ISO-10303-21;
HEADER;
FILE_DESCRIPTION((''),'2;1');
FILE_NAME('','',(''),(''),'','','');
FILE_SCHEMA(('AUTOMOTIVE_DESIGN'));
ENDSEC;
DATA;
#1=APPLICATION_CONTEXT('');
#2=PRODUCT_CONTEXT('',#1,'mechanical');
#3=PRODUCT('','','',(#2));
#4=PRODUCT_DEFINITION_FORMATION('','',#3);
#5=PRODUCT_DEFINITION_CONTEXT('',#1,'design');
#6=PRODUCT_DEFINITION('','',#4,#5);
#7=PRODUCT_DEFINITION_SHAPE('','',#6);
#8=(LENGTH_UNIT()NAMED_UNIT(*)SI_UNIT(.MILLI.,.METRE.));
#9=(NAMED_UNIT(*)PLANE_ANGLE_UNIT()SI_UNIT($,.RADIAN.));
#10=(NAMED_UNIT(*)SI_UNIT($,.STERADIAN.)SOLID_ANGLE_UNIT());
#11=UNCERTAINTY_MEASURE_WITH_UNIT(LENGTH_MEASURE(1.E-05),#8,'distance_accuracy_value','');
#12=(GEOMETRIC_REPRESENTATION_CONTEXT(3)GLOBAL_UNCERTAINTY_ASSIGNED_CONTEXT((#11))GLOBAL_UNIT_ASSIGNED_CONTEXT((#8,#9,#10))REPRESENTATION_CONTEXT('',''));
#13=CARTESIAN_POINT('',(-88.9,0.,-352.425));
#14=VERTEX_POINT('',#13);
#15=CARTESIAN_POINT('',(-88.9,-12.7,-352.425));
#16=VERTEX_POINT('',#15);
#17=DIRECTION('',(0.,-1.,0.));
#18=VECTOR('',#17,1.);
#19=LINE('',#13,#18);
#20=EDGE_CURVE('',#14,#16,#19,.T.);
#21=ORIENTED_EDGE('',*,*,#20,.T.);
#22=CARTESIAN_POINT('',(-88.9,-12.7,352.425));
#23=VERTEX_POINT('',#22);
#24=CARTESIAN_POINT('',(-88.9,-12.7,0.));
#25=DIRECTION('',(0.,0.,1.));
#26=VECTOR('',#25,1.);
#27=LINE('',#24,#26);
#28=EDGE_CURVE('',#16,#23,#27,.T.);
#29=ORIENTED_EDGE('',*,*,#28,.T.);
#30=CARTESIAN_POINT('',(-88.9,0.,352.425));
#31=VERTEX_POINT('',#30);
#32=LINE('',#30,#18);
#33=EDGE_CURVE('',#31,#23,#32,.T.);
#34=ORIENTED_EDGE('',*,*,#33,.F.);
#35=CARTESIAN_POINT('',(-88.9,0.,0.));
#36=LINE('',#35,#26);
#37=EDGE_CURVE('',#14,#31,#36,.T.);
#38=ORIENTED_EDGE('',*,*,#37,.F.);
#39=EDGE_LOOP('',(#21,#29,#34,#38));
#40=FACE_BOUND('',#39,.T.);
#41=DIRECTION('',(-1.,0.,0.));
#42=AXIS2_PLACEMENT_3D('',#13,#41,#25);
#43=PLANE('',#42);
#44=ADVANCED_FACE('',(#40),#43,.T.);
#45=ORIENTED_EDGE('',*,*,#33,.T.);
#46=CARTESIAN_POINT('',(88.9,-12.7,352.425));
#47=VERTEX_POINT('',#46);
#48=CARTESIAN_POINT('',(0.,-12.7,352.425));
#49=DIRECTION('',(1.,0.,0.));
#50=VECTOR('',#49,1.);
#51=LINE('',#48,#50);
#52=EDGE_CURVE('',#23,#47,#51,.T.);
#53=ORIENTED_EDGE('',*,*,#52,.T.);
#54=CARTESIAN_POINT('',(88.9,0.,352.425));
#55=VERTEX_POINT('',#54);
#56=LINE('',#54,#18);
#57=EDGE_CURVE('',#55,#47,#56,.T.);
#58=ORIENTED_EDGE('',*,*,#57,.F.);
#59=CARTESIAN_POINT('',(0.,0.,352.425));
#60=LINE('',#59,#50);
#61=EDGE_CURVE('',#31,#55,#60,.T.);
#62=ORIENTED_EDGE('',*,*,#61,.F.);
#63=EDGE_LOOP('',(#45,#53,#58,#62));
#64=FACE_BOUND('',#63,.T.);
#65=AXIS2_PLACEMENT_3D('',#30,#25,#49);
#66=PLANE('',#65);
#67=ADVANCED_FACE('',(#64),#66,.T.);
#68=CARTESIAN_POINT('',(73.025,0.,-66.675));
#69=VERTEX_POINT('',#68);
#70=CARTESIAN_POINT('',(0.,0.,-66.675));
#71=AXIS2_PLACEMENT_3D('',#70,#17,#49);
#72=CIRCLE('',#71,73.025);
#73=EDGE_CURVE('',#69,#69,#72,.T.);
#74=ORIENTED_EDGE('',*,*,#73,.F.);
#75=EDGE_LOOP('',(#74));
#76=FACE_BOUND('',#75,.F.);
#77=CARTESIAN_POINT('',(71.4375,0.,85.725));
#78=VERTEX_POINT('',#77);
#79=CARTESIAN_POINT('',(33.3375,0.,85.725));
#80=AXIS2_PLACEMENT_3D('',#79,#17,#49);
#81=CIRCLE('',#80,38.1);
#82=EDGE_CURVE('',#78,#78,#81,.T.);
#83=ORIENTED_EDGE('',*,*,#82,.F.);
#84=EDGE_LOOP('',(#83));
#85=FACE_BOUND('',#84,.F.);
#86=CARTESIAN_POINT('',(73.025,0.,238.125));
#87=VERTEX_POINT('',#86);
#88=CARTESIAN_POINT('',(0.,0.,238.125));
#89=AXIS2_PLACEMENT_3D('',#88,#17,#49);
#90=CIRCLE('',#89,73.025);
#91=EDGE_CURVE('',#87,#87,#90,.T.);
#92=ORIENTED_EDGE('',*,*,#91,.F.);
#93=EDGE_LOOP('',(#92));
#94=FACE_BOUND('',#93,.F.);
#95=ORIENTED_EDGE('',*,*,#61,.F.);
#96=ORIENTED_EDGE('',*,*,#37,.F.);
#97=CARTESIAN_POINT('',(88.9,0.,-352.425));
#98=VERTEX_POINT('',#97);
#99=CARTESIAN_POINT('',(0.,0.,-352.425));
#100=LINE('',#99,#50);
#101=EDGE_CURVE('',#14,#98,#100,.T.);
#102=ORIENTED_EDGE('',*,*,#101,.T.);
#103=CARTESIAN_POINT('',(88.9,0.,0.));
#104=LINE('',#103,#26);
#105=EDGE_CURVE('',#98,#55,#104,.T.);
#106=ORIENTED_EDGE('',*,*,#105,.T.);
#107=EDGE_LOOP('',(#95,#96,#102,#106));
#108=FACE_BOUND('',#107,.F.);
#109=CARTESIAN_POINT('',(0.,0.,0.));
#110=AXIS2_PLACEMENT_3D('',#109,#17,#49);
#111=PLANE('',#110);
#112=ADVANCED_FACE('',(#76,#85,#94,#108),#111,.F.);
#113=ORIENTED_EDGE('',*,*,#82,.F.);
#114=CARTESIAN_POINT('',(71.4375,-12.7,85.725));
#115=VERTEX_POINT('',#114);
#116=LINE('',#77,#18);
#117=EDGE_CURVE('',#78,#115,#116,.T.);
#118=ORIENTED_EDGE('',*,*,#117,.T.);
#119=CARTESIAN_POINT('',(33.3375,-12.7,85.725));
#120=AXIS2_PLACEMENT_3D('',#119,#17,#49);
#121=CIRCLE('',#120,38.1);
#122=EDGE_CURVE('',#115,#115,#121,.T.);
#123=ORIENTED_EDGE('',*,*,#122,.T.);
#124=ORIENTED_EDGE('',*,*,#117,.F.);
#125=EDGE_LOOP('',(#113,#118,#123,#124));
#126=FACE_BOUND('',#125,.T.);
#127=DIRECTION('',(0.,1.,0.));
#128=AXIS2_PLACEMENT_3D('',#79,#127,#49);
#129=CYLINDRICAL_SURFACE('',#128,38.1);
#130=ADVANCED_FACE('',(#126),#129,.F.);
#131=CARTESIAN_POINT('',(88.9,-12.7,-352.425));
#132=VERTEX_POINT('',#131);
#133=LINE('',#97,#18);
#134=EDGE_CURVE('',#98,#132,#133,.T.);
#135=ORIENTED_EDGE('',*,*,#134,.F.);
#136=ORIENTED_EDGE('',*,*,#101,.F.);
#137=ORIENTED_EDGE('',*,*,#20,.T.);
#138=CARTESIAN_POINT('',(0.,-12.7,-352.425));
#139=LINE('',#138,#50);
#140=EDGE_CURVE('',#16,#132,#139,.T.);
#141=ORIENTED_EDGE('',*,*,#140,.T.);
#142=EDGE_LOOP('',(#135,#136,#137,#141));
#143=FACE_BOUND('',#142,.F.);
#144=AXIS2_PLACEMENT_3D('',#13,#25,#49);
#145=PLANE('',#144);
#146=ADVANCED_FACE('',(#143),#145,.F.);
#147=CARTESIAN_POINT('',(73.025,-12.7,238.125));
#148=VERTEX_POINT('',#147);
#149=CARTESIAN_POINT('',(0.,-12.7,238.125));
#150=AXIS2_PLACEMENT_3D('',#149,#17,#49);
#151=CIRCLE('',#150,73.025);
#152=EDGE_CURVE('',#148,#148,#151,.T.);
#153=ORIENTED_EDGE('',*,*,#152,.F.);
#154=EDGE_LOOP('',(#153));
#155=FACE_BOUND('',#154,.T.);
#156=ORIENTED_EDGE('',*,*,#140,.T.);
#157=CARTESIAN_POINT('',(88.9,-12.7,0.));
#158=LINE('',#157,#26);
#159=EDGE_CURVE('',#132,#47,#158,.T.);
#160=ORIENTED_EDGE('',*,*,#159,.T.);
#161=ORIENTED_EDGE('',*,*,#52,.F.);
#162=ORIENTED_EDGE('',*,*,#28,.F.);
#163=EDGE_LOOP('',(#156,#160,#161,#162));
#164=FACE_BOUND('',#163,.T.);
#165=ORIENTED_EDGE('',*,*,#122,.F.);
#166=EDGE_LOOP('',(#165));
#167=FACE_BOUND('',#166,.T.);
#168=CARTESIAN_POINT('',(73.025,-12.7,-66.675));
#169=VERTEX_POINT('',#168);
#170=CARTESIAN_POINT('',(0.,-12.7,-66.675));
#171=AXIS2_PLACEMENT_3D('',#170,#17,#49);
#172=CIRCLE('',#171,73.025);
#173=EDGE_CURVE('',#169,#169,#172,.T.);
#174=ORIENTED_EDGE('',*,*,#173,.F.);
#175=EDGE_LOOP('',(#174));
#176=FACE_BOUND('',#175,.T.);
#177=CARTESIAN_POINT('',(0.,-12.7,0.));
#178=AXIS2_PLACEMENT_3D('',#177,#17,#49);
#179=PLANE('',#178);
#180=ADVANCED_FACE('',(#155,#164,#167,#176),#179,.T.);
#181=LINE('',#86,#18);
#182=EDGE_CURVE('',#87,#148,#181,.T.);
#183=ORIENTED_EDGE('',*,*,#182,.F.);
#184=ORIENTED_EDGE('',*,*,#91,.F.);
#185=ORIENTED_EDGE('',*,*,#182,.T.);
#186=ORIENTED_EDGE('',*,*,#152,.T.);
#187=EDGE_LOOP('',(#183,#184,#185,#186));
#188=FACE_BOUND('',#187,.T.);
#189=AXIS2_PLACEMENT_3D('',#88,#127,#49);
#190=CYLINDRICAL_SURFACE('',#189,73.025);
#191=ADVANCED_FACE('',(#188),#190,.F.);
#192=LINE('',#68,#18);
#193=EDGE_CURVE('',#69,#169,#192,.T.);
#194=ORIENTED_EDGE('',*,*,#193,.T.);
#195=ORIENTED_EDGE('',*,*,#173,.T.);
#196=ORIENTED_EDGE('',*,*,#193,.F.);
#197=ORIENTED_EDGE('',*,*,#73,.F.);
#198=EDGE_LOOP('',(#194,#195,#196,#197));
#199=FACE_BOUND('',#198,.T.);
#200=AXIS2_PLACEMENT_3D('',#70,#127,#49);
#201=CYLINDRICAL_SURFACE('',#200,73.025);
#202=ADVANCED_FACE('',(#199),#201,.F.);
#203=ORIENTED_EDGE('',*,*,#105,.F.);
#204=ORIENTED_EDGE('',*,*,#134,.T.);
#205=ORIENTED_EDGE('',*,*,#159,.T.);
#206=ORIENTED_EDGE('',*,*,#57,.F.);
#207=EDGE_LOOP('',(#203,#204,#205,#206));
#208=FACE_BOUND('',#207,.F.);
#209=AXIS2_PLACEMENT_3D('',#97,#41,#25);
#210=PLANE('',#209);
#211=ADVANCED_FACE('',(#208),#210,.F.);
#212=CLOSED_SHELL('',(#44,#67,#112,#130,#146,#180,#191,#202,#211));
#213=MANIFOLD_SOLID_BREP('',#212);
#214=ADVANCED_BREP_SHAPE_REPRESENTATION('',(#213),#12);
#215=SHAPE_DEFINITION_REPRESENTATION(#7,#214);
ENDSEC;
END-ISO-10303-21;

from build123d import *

# Parameters (mm, degrees)
F0_W     = 177.8
F0_H     = 704.85
F0_R     = 73.025
F0_R_2   = 38.1
F1_DEPTH = 12.7


with BuildPart() as f1:
    # F0 (on Front) → F1 (new body)
    with BuildSketch(Plane.XZ):
        Rectangle(F0_W, F0_H)
        with Locations((0, -66.675)):
            Circle(F0_R, mode=Mode.SUBTRACT)
        with Locations((33.3375, 85.725)):
            Circle(F0_R_2, mode=Mode.SUBTRACT)
        with Locations((0, 238.125)):
            Circle(F0_R, mode=Mode.SUBTRACT)
    extrude(amount=F1_DEPTH)


solid = f1.part
